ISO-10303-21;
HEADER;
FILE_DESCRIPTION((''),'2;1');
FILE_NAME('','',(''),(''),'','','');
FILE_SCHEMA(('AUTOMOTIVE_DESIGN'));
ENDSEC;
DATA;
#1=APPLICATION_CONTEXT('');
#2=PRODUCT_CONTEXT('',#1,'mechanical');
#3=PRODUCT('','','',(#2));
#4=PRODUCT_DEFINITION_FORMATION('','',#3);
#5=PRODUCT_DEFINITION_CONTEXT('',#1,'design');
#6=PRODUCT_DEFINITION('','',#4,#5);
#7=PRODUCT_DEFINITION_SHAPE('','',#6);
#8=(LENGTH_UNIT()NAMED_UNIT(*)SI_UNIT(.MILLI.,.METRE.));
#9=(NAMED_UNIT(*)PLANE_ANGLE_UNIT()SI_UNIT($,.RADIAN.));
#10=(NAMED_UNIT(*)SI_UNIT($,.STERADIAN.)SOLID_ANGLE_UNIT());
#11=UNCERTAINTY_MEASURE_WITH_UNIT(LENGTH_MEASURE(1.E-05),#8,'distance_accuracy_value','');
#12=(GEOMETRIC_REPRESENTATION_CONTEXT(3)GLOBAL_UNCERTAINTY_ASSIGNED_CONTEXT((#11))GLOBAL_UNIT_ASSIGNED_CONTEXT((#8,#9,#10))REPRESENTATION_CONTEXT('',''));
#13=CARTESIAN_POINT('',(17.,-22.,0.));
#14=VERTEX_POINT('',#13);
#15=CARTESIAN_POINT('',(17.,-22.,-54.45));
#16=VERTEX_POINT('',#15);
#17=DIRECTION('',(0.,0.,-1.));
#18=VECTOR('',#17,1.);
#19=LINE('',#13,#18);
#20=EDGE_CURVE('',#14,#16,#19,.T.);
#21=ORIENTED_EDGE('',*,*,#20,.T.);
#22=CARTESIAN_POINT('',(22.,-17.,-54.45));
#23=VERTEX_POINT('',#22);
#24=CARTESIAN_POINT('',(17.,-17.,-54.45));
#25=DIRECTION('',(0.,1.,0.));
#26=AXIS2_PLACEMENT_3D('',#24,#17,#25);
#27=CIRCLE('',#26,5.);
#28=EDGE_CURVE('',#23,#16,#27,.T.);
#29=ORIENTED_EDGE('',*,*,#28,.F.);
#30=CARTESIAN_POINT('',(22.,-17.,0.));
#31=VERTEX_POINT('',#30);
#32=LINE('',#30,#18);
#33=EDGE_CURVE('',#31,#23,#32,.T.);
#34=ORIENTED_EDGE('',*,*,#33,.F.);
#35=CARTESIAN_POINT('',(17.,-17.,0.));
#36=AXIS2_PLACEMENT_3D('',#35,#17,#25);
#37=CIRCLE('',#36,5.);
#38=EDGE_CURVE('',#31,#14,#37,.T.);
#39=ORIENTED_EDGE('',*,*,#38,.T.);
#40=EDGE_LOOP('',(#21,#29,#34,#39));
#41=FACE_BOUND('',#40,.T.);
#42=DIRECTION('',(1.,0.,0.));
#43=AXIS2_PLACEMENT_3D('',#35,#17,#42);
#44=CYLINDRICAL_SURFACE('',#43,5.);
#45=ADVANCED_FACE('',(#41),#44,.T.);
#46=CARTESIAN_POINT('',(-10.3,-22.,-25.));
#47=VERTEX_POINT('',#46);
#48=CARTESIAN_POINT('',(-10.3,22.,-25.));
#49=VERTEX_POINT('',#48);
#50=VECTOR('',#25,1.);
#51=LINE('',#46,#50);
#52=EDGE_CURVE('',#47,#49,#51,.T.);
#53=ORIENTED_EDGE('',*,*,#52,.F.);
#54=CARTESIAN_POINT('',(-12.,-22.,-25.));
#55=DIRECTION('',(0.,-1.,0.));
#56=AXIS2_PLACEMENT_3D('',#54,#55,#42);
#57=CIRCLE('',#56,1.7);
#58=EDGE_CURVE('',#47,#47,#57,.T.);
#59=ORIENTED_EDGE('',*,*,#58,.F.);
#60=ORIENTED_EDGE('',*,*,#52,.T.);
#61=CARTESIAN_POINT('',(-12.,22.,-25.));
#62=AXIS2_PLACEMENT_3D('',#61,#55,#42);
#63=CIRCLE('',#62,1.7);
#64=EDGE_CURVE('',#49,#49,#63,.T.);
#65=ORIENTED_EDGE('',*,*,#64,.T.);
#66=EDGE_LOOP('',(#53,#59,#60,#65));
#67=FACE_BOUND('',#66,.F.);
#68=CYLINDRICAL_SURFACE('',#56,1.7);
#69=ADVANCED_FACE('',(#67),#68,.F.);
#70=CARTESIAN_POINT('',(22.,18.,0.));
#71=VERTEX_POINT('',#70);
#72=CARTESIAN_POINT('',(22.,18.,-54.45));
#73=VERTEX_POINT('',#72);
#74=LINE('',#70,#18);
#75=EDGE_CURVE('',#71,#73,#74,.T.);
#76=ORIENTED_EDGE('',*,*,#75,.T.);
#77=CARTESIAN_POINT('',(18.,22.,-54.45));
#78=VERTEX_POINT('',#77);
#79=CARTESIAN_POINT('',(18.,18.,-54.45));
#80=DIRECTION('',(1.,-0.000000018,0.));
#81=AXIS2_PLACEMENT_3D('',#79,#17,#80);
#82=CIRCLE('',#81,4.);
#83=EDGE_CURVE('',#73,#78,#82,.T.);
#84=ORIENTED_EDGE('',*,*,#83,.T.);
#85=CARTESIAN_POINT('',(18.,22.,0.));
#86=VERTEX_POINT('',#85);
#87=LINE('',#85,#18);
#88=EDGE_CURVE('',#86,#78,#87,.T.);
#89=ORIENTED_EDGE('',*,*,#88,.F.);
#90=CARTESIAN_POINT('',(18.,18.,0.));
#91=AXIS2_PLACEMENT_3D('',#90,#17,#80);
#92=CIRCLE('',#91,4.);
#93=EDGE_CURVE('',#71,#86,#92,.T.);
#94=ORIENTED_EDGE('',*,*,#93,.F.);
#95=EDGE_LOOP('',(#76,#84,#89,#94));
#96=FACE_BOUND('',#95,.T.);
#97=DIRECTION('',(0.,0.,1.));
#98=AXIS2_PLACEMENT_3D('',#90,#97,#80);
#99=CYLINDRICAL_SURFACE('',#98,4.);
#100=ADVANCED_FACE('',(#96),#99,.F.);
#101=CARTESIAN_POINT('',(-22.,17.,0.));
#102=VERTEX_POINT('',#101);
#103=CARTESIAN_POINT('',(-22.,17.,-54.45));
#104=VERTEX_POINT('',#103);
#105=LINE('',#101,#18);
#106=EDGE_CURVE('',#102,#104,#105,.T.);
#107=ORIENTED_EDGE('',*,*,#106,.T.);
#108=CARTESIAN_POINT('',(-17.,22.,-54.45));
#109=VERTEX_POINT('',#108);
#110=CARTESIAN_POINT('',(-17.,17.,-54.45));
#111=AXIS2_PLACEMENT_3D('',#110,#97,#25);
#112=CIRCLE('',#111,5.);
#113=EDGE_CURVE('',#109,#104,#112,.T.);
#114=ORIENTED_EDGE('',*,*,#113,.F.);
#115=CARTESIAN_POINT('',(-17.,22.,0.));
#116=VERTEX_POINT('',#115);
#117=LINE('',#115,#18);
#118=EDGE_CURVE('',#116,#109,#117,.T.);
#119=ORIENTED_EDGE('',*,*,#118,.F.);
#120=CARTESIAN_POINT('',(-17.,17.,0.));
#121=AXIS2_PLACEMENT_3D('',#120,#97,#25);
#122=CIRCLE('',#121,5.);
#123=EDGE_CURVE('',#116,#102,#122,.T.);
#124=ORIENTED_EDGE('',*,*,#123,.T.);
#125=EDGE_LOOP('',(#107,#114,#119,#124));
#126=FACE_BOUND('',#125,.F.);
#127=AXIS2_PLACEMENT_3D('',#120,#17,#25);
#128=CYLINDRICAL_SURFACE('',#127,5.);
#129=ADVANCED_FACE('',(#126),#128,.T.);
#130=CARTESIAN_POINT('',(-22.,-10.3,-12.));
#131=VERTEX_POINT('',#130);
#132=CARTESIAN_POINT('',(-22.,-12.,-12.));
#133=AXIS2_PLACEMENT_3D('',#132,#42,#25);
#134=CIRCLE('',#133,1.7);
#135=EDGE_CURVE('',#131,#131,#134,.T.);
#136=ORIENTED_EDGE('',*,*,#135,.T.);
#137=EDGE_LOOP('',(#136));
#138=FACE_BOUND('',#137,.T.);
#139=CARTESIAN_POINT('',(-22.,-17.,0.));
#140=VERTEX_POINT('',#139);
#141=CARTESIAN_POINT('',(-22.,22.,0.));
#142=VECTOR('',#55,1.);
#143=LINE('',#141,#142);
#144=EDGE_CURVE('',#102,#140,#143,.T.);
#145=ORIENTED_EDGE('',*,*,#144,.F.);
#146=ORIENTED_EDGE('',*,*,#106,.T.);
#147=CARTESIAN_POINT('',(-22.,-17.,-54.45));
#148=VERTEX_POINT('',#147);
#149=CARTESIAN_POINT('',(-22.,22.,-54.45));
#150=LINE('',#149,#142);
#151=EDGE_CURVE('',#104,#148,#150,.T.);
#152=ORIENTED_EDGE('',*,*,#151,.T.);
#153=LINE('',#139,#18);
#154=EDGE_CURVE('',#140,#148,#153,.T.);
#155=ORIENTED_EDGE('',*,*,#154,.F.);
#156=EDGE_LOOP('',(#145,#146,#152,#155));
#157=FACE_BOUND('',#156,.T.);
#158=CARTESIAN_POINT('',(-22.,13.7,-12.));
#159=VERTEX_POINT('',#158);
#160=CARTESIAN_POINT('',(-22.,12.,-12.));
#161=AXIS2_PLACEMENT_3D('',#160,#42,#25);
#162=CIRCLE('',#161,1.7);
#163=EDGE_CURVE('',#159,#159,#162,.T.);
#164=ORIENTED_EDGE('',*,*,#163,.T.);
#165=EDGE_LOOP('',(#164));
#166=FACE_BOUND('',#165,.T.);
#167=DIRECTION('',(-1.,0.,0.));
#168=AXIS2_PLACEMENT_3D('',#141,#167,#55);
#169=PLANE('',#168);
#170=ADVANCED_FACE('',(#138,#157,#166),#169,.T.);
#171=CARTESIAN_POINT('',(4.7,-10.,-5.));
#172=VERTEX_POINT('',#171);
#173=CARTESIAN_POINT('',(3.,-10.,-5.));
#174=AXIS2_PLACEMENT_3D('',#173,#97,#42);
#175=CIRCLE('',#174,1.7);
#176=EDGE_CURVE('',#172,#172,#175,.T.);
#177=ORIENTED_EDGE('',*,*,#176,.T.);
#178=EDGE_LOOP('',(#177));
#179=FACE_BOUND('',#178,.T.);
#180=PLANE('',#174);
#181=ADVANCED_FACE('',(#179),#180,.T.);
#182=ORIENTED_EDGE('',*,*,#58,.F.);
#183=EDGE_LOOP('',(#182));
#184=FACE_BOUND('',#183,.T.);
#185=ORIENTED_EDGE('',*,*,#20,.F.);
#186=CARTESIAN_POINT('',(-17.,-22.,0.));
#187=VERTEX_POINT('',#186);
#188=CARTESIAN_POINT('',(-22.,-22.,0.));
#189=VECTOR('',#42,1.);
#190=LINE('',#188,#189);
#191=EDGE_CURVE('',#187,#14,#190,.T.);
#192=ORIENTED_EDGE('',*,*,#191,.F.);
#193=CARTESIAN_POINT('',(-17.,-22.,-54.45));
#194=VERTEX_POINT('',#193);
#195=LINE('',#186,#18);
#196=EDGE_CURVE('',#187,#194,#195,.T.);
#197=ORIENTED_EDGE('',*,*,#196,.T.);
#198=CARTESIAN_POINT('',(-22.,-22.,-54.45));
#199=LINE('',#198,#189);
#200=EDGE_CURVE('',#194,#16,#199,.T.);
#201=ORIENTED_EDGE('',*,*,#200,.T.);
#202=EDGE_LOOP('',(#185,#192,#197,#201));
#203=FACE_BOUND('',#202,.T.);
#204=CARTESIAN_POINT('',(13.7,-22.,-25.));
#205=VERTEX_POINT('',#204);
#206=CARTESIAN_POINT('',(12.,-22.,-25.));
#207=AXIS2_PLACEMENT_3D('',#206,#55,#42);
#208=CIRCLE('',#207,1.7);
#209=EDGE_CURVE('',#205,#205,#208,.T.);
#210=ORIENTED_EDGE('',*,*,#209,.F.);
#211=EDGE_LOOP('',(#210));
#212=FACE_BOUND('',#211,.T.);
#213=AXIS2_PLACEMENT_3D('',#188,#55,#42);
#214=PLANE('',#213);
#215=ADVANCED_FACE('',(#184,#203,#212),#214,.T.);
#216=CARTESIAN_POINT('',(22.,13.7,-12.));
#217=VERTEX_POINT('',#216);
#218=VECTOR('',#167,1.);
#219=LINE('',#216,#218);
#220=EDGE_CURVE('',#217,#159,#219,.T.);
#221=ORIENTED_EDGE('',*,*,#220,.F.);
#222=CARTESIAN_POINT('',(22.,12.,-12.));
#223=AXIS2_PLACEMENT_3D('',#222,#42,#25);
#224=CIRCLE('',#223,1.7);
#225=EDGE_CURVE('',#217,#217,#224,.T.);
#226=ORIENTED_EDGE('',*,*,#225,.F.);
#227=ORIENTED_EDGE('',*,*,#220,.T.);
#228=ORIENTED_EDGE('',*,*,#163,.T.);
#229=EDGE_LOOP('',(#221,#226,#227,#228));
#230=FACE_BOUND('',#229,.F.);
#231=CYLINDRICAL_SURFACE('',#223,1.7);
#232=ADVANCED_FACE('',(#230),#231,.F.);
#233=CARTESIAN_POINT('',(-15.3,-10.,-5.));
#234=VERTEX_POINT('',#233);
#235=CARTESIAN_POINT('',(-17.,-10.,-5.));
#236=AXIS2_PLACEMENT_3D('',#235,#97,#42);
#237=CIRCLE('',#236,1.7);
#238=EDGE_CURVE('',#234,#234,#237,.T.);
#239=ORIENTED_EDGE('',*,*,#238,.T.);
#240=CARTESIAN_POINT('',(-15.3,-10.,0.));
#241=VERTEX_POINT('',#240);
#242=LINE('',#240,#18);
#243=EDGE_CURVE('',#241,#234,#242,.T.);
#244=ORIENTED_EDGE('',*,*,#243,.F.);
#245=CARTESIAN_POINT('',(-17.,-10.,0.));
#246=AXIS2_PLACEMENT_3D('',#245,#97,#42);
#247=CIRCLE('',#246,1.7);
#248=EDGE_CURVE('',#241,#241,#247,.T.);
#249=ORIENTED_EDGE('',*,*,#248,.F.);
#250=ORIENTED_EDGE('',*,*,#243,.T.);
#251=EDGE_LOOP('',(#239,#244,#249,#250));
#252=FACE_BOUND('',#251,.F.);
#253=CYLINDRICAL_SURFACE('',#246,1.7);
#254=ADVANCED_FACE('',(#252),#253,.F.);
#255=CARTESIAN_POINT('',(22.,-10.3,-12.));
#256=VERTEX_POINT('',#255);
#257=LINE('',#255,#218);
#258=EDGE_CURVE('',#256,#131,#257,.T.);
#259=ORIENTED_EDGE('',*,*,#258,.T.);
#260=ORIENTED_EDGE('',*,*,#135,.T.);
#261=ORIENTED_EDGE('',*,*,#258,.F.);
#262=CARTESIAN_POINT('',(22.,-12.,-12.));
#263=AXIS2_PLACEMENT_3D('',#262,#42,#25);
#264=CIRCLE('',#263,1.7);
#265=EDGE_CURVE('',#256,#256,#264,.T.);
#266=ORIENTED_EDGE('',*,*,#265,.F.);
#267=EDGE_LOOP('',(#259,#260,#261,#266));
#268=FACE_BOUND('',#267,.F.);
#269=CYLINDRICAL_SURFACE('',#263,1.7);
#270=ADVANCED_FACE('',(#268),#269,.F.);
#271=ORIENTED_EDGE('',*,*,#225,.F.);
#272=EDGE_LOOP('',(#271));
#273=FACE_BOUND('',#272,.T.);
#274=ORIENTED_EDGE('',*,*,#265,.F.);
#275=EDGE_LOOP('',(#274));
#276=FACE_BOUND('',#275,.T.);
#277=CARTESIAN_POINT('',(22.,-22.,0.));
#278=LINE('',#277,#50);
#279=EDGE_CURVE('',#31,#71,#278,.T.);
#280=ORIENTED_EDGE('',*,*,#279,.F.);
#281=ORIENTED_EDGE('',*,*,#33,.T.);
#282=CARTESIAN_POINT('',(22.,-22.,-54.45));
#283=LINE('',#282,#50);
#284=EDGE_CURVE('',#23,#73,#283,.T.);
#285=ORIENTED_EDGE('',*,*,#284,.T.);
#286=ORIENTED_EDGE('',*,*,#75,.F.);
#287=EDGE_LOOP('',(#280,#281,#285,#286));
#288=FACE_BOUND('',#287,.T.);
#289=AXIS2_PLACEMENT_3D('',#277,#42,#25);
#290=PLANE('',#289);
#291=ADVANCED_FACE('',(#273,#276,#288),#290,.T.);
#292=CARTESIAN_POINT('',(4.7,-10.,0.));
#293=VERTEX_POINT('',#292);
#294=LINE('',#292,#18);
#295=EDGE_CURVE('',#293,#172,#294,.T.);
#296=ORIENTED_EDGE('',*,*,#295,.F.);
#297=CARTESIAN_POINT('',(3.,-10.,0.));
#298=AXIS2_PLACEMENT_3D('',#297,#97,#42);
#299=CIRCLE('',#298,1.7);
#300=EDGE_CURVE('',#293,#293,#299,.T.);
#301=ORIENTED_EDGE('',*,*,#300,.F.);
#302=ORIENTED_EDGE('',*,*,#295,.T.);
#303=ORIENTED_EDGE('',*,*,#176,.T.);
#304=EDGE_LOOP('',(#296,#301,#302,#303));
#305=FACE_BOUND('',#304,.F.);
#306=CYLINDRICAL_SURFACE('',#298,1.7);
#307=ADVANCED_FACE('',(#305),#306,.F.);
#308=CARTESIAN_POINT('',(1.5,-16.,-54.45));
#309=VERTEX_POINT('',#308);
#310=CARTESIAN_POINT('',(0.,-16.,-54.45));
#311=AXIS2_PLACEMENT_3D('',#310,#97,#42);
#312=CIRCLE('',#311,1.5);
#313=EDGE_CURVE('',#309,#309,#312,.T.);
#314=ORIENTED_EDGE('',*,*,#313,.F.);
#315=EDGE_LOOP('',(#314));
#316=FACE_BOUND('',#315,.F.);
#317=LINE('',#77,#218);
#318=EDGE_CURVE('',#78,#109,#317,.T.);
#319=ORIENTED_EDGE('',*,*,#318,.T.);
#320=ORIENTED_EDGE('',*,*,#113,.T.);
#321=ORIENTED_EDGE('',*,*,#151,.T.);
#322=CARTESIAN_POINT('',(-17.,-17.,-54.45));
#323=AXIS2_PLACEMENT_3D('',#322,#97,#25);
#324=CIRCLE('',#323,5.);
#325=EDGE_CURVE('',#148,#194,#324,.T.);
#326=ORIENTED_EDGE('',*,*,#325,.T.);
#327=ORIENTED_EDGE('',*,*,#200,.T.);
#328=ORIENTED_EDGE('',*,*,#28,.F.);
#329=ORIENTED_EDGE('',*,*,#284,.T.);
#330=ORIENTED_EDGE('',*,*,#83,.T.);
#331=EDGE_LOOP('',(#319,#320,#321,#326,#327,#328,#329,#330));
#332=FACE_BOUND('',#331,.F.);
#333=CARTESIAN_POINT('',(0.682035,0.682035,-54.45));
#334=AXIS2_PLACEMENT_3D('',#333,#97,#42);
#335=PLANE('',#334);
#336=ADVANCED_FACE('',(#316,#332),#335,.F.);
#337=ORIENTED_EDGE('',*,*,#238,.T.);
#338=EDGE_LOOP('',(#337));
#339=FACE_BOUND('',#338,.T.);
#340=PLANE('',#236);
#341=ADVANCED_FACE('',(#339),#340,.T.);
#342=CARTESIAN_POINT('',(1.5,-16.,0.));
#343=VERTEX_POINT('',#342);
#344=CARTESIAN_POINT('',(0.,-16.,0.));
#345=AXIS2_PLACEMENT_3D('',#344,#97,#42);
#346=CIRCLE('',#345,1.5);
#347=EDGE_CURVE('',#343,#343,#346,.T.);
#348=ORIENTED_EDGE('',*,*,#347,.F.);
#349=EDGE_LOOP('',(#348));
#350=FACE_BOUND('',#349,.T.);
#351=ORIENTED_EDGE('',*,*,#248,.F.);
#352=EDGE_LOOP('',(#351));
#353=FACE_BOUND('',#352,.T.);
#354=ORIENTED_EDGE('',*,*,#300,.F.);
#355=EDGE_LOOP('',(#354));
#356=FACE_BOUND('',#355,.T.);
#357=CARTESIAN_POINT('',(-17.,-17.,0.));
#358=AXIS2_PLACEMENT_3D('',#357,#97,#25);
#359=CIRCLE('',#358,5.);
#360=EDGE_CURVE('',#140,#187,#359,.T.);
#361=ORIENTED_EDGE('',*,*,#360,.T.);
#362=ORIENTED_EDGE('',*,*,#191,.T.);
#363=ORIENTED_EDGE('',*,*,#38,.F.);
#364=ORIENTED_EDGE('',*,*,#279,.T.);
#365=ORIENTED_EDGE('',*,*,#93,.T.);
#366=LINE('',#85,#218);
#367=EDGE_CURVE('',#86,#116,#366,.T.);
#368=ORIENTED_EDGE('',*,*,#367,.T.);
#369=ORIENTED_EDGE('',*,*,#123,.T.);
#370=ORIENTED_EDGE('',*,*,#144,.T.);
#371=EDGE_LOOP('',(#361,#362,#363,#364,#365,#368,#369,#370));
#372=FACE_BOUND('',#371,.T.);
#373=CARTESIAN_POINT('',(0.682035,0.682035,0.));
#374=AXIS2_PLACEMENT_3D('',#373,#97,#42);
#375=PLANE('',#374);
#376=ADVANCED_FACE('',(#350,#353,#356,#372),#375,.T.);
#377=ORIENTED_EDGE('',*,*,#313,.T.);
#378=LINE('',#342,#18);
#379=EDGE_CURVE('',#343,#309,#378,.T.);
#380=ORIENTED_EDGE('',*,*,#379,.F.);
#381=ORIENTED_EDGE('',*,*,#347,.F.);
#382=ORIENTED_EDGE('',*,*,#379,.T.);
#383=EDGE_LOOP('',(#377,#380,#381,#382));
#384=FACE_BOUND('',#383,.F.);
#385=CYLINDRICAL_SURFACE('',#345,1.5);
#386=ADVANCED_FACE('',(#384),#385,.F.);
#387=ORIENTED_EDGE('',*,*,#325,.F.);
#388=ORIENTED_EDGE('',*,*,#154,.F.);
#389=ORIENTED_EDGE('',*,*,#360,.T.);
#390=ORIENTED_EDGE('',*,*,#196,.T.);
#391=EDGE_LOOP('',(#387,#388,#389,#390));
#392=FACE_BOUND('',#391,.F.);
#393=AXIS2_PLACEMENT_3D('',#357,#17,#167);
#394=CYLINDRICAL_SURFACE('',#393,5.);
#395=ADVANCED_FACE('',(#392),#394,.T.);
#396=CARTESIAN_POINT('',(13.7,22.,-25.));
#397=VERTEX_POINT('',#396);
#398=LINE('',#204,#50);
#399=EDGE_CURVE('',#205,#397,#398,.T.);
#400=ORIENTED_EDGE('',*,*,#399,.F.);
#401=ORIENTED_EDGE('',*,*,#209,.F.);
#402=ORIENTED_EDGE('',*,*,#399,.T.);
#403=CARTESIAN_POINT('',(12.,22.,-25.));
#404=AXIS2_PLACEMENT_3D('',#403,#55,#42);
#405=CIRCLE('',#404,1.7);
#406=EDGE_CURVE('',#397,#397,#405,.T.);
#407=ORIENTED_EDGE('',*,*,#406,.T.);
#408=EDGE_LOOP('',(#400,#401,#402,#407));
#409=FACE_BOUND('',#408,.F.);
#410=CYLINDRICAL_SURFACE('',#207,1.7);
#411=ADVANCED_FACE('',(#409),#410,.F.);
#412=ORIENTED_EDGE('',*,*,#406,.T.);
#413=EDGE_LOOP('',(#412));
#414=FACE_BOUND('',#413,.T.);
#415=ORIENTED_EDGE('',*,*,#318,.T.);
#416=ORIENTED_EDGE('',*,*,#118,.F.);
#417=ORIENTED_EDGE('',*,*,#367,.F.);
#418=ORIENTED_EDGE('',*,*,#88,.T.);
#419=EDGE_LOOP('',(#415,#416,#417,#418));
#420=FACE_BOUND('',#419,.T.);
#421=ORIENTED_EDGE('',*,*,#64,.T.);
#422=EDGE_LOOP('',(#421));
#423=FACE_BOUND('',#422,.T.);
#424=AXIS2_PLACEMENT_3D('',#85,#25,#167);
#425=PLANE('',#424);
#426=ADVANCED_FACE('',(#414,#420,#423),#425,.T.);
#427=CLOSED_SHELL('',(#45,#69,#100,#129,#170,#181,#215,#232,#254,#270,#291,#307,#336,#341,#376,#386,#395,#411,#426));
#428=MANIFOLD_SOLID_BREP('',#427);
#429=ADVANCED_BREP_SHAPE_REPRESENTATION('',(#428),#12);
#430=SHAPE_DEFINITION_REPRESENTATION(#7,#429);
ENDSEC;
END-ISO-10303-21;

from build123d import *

# Parameters (mm, degrees)
F0_R     = 1.7
F0_R_2   = 1.5
F1_DEPTH = 54.45
F2_R     = 1.7
F3_DEPTH = 44
F4_R     = 1.7
F5_DEPTH = 44
F6_R     = 5
F7_DEPTH = 55
F8_DEPTH = 5


with BuildPart() as f1:
    # F0 (on Top) → F1 (new body)
    with BuildSketch(Plane.XY):
        with BuildLine():
            Line((18, 22), (-22, 22))
            Line((-22, 22), (-22, -22))
            Line((-22, -22), (22, -22))
            Line((22, -22), (22, 18))
            ThreePointArc((22, 18), (15.171573, 15.171573), (18, 22))
        make_face()
        with Locations((-17, -10)):
            Circle(F0_R, mode=Mode.SUBTRACT)
        with Locations((0, -16)):
            Circle(F0_R_2, mode=Mode.SUBTRACT)
        with Locations((3, -10)):
            Circle(F0_R, mode=Mode.SUBTRACT)
        with Locations((-17, -10)):
            Circle(F0_R)
        with Locations((0, -16)):
            Circle(F0_R_2)
        with Locations((3, -10)):
            Circle(F0_R)
    extrude(amount=-F1_DEPTH)

    # F2 (on face) → F3 (cut)
    with BuildSketch(Plane.XZ.offset(22)):
        with Locations((-12, -25)):
            Circle(F2_R)
        with Locations((12, -25)):
            Circle(F2_R)
    extrude(amount=-F3_DEPTH, mode=Mode.SUBTRACT)

    # F4 (on face) → F5 (cut)
    with BuildSketch(Plane.YZ.offset(22)):
        with Locations((-12, -12)):
            Circle(F4_R)
        with Locations((12, -12)):
            Circle(F4_R)
    extrude(amount=-F5_DEPTH, mode=Mode.SUBTRACT)

    # F6
    f6_edges = [f1.edges().sort_by_distance(p)[0] for p in [
        (22, -22, -27.225),
        (-22, -22, -27.225),
        (-22, 22, -27.225),
    ]]
    fillet(f6_edges, radius=F6_R)

    # F0 (on Top) → F7 (cut)
    with BuildSketch(Plane.XY):
        with Locations((0, -16)):
            Circle(F0_R_2)
    extrude(amount=-F7_DEPTH, mode=Mode.SUBTRACT)

    # F0 (on Top) → F8 (cut)
    with BuildSketch(Plane.XY):
        with Locations((-17, -10)):
            Circle(F0_R)
        with Locations((3, -10)):
            Circle(F0_R)
    extrude(amount=-F8_DEPTH, mode=Mode.SUBTRACT)


solid = f1.part
